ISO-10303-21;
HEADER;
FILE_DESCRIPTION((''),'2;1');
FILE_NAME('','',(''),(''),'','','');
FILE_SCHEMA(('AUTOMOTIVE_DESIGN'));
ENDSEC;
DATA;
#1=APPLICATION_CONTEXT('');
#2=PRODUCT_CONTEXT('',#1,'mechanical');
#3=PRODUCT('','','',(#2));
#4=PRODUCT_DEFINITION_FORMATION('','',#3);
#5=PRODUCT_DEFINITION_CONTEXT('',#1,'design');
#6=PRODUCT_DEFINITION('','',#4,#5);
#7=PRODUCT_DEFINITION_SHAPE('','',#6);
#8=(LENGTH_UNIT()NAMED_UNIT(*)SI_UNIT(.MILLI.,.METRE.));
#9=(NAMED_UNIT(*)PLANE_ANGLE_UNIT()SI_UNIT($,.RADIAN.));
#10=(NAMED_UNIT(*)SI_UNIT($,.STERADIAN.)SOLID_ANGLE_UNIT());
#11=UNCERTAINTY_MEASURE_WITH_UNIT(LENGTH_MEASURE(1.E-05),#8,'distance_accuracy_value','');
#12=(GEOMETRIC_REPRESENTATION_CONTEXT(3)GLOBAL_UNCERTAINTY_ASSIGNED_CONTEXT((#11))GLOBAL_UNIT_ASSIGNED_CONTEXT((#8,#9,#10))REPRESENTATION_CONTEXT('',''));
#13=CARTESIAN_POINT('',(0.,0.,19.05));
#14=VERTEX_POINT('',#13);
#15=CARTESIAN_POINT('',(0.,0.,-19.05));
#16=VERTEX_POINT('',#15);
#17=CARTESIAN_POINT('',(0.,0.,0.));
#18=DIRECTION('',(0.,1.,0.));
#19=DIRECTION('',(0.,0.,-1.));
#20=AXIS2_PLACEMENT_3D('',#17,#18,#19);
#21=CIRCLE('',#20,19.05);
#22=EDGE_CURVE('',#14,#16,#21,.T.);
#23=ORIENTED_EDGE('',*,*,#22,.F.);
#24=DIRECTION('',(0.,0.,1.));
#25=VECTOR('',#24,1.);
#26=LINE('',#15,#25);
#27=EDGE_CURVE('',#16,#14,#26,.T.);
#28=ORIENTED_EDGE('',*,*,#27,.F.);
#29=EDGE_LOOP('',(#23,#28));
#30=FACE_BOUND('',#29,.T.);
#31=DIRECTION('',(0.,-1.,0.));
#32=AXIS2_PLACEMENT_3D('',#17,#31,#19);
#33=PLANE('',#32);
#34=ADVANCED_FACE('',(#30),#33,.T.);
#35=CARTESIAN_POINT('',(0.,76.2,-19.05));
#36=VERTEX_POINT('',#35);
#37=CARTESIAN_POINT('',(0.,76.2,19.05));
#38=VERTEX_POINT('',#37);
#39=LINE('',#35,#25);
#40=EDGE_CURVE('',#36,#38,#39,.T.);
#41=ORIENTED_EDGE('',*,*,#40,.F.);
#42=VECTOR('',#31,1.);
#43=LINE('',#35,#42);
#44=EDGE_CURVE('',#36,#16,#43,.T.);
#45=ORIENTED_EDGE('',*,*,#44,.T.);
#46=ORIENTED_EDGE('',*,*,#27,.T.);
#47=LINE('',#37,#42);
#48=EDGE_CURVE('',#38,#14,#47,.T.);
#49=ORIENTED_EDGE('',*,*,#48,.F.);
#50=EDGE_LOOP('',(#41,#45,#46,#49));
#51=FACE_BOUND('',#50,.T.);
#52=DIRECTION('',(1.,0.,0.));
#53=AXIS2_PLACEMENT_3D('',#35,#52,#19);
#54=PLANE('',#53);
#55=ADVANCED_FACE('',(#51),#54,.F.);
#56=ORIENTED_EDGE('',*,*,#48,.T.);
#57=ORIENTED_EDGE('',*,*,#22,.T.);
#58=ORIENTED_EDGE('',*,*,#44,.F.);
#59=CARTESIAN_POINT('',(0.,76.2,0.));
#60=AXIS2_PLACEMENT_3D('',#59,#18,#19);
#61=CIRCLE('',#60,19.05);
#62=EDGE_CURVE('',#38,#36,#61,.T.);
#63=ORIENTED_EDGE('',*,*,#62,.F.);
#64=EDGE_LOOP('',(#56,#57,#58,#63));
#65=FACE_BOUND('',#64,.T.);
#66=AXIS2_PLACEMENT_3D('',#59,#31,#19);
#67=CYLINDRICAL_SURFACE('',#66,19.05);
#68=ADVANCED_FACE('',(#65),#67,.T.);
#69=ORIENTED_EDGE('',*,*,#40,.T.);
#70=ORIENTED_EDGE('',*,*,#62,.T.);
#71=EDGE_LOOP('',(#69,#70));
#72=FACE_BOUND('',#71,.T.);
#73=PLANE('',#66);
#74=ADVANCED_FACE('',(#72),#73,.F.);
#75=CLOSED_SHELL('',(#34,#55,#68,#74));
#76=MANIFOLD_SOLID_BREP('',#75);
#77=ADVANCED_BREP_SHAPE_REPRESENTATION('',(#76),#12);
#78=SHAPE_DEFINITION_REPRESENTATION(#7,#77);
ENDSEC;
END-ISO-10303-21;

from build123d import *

# Parameters (mm, degrees)
BOSS_EXTRUDE1_DEPTH = 76.2


with BuildPart() as part:
    # Sketch1 → Boss-Extrude1 (new body)
    with BuildSketch(Plane(origin=(0, 0, 0), x_dir=(1, 0, 0), z_dir=(0, 1, 0))):
        with BuildLine():
            Line((0, 19.05), (0, -19.05))
            ThreePointArc((0, -19.05), (19.05, 0), (0, 19.05))
        make_face()
    extrude(amount=BOSS_EXTRUDE1_DEPTH)


solid = part.part
